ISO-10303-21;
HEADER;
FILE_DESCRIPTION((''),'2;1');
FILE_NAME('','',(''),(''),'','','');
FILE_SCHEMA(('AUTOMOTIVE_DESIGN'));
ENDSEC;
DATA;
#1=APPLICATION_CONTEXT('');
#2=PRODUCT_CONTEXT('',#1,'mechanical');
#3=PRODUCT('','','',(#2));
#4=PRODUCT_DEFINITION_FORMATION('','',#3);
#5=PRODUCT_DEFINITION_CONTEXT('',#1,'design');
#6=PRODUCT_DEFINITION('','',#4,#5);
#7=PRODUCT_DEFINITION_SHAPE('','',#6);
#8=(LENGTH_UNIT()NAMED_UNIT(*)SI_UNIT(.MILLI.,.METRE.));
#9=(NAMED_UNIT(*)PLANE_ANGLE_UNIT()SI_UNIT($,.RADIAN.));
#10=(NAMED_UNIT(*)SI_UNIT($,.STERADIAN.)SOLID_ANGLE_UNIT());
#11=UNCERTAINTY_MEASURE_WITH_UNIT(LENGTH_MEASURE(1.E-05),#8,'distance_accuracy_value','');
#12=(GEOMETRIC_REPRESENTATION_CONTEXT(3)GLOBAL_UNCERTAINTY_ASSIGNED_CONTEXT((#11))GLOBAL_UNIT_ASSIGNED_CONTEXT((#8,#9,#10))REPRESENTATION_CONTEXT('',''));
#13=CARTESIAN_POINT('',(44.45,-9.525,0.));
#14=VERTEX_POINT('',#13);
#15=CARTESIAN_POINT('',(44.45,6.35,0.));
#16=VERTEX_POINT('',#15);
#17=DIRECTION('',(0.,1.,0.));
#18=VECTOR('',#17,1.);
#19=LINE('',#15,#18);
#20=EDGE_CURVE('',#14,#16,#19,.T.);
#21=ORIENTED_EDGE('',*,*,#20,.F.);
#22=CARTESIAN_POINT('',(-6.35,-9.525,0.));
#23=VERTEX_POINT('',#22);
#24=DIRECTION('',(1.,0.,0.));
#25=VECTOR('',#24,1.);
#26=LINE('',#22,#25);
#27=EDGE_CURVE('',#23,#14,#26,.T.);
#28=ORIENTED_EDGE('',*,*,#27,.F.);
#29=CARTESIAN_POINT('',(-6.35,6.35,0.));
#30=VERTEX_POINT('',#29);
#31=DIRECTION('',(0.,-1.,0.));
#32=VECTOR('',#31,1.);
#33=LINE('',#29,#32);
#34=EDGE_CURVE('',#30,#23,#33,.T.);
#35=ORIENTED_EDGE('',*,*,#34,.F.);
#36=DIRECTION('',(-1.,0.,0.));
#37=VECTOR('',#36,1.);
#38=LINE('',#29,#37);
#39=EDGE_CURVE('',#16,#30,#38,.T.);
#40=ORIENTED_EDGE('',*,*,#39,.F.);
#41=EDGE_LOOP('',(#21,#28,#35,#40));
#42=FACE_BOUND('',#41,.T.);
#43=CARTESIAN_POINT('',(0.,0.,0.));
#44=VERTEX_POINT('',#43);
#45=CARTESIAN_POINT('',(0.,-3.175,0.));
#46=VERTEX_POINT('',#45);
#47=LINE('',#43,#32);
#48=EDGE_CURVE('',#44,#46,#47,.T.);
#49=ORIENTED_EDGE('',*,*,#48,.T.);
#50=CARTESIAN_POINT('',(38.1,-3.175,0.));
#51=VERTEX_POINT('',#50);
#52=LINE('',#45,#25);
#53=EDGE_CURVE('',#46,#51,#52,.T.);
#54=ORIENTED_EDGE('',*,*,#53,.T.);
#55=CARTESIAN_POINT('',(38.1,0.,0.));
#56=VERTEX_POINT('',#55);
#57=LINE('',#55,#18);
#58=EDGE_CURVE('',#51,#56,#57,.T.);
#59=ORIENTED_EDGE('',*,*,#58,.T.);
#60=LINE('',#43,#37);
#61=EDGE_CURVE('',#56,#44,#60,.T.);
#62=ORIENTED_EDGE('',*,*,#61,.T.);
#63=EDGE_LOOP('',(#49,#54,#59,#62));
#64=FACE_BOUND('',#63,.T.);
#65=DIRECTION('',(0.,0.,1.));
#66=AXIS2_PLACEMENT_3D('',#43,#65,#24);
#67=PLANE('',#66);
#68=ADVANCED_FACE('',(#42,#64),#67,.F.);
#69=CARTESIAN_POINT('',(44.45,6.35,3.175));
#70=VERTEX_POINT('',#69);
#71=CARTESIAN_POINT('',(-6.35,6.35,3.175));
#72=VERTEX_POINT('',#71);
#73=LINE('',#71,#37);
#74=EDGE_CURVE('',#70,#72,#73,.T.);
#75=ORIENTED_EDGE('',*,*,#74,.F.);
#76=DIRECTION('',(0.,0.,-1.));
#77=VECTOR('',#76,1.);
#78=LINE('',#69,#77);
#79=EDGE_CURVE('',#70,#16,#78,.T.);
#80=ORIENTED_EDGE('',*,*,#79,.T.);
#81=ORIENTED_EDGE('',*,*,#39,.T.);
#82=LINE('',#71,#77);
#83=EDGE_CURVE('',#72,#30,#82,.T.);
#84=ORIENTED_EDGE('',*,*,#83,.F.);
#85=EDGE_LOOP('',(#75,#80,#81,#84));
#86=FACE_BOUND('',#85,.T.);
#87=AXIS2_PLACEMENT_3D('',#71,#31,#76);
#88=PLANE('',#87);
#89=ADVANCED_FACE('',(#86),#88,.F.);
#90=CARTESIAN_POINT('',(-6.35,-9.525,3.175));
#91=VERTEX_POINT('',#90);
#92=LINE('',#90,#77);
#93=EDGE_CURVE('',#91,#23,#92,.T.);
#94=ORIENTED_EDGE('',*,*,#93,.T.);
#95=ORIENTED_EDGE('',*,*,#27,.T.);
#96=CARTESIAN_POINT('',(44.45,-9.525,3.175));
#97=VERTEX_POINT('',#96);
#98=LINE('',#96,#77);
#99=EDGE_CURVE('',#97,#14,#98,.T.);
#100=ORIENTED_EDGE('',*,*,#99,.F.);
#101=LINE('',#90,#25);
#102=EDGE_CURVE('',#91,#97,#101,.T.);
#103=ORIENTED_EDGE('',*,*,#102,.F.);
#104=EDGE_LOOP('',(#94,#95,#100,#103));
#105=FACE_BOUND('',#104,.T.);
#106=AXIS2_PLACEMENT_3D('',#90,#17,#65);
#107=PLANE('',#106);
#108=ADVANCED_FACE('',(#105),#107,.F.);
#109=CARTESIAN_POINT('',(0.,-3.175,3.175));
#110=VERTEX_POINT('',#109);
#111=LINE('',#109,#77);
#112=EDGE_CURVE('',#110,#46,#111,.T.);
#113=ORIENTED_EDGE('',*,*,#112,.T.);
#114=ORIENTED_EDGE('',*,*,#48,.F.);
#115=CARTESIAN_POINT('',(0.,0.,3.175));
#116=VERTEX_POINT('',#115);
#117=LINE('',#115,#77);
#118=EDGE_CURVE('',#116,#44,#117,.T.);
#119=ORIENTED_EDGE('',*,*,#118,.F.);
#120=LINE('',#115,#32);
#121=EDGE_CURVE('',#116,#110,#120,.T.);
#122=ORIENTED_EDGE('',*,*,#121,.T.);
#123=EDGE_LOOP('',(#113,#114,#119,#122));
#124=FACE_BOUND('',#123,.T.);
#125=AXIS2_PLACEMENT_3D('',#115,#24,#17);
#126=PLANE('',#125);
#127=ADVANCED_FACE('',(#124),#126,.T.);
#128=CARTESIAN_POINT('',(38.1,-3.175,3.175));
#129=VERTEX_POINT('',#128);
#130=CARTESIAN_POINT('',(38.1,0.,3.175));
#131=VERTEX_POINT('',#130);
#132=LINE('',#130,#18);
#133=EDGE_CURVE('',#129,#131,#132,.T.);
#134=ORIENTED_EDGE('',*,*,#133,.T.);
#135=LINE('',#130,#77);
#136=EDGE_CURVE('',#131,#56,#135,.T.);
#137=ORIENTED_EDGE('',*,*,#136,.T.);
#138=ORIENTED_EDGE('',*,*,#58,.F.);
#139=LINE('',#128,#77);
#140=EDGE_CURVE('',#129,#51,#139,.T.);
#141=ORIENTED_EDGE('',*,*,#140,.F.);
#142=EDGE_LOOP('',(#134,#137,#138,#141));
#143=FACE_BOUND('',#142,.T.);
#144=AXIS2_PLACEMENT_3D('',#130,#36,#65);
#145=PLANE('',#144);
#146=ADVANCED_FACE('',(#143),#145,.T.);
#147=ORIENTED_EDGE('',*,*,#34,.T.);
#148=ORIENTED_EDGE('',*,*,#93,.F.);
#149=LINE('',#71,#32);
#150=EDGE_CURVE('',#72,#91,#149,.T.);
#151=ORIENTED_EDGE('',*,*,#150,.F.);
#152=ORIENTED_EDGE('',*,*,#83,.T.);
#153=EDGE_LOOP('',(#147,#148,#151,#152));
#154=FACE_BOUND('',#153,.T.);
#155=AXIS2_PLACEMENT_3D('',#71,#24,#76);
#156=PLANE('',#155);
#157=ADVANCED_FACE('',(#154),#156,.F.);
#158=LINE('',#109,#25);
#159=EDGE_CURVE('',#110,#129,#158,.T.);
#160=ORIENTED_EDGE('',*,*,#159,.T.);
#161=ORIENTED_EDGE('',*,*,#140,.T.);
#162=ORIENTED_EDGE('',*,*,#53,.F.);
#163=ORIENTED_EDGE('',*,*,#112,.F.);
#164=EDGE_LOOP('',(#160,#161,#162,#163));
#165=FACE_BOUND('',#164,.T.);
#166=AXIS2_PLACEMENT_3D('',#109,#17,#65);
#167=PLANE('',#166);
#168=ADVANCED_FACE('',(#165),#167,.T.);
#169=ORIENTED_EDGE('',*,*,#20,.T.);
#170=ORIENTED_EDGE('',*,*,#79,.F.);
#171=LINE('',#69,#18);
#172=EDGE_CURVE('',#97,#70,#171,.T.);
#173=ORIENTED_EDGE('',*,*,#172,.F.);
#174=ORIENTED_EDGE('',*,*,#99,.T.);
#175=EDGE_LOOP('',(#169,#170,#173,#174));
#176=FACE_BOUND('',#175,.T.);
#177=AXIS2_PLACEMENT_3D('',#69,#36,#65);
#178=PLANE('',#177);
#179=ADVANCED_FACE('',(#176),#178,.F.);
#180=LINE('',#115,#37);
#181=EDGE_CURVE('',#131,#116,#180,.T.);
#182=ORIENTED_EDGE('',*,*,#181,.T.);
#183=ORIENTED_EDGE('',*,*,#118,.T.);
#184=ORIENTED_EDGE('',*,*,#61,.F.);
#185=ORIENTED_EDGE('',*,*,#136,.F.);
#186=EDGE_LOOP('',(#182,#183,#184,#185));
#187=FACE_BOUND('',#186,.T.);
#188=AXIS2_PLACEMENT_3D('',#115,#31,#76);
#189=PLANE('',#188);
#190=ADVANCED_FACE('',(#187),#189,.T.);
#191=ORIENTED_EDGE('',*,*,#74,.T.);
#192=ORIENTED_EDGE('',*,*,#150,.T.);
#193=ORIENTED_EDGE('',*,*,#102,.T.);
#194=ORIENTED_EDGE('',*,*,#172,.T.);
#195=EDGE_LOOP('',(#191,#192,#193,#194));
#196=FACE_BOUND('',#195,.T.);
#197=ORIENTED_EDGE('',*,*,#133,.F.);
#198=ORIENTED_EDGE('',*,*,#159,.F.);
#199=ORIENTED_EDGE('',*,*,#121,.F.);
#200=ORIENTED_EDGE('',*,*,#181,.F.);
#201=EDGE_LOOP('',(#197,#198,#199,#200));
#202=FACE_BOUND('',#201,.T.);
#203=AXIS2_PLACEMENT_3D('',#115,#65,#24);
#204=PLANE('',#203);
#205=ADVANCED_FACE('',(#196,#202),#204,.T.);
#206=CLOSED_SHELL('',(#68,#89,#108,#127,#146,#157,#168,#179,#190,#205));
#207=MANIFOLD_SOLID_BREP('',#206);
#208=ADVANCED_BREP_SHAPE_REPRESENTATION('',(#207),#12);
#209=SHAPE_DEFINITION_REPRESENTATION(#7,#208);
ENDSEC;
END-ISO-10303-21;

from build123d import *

# Parameters (mm, degrees)
SKETCH1_W           = 50.8
SKETCH1_H           = 15.875
SKETCH1_W_2         = 38.1
SKETCH1_H_2         = 3.175
BOSS_EXTRUDE1_DEPTH = 3.175


with BuildPart() as part:
    # Sketch1 → Boss-Extrude1 (new body)
    with BuildSketch(Plane.XY):
        with Locations((19.05, -1.5875)):
            Rectangle(SKETCH1_W, SKETCH1_H)
        with Locations((19.05, -1.5875)):
            Rectangle(SKETCH1_W_2, SKETCH1_H_2, mode=Mode.SUBTRACT)
    extrude(amount=BOSS_EXTRUDE1_DEPTH)


solid = part.part
